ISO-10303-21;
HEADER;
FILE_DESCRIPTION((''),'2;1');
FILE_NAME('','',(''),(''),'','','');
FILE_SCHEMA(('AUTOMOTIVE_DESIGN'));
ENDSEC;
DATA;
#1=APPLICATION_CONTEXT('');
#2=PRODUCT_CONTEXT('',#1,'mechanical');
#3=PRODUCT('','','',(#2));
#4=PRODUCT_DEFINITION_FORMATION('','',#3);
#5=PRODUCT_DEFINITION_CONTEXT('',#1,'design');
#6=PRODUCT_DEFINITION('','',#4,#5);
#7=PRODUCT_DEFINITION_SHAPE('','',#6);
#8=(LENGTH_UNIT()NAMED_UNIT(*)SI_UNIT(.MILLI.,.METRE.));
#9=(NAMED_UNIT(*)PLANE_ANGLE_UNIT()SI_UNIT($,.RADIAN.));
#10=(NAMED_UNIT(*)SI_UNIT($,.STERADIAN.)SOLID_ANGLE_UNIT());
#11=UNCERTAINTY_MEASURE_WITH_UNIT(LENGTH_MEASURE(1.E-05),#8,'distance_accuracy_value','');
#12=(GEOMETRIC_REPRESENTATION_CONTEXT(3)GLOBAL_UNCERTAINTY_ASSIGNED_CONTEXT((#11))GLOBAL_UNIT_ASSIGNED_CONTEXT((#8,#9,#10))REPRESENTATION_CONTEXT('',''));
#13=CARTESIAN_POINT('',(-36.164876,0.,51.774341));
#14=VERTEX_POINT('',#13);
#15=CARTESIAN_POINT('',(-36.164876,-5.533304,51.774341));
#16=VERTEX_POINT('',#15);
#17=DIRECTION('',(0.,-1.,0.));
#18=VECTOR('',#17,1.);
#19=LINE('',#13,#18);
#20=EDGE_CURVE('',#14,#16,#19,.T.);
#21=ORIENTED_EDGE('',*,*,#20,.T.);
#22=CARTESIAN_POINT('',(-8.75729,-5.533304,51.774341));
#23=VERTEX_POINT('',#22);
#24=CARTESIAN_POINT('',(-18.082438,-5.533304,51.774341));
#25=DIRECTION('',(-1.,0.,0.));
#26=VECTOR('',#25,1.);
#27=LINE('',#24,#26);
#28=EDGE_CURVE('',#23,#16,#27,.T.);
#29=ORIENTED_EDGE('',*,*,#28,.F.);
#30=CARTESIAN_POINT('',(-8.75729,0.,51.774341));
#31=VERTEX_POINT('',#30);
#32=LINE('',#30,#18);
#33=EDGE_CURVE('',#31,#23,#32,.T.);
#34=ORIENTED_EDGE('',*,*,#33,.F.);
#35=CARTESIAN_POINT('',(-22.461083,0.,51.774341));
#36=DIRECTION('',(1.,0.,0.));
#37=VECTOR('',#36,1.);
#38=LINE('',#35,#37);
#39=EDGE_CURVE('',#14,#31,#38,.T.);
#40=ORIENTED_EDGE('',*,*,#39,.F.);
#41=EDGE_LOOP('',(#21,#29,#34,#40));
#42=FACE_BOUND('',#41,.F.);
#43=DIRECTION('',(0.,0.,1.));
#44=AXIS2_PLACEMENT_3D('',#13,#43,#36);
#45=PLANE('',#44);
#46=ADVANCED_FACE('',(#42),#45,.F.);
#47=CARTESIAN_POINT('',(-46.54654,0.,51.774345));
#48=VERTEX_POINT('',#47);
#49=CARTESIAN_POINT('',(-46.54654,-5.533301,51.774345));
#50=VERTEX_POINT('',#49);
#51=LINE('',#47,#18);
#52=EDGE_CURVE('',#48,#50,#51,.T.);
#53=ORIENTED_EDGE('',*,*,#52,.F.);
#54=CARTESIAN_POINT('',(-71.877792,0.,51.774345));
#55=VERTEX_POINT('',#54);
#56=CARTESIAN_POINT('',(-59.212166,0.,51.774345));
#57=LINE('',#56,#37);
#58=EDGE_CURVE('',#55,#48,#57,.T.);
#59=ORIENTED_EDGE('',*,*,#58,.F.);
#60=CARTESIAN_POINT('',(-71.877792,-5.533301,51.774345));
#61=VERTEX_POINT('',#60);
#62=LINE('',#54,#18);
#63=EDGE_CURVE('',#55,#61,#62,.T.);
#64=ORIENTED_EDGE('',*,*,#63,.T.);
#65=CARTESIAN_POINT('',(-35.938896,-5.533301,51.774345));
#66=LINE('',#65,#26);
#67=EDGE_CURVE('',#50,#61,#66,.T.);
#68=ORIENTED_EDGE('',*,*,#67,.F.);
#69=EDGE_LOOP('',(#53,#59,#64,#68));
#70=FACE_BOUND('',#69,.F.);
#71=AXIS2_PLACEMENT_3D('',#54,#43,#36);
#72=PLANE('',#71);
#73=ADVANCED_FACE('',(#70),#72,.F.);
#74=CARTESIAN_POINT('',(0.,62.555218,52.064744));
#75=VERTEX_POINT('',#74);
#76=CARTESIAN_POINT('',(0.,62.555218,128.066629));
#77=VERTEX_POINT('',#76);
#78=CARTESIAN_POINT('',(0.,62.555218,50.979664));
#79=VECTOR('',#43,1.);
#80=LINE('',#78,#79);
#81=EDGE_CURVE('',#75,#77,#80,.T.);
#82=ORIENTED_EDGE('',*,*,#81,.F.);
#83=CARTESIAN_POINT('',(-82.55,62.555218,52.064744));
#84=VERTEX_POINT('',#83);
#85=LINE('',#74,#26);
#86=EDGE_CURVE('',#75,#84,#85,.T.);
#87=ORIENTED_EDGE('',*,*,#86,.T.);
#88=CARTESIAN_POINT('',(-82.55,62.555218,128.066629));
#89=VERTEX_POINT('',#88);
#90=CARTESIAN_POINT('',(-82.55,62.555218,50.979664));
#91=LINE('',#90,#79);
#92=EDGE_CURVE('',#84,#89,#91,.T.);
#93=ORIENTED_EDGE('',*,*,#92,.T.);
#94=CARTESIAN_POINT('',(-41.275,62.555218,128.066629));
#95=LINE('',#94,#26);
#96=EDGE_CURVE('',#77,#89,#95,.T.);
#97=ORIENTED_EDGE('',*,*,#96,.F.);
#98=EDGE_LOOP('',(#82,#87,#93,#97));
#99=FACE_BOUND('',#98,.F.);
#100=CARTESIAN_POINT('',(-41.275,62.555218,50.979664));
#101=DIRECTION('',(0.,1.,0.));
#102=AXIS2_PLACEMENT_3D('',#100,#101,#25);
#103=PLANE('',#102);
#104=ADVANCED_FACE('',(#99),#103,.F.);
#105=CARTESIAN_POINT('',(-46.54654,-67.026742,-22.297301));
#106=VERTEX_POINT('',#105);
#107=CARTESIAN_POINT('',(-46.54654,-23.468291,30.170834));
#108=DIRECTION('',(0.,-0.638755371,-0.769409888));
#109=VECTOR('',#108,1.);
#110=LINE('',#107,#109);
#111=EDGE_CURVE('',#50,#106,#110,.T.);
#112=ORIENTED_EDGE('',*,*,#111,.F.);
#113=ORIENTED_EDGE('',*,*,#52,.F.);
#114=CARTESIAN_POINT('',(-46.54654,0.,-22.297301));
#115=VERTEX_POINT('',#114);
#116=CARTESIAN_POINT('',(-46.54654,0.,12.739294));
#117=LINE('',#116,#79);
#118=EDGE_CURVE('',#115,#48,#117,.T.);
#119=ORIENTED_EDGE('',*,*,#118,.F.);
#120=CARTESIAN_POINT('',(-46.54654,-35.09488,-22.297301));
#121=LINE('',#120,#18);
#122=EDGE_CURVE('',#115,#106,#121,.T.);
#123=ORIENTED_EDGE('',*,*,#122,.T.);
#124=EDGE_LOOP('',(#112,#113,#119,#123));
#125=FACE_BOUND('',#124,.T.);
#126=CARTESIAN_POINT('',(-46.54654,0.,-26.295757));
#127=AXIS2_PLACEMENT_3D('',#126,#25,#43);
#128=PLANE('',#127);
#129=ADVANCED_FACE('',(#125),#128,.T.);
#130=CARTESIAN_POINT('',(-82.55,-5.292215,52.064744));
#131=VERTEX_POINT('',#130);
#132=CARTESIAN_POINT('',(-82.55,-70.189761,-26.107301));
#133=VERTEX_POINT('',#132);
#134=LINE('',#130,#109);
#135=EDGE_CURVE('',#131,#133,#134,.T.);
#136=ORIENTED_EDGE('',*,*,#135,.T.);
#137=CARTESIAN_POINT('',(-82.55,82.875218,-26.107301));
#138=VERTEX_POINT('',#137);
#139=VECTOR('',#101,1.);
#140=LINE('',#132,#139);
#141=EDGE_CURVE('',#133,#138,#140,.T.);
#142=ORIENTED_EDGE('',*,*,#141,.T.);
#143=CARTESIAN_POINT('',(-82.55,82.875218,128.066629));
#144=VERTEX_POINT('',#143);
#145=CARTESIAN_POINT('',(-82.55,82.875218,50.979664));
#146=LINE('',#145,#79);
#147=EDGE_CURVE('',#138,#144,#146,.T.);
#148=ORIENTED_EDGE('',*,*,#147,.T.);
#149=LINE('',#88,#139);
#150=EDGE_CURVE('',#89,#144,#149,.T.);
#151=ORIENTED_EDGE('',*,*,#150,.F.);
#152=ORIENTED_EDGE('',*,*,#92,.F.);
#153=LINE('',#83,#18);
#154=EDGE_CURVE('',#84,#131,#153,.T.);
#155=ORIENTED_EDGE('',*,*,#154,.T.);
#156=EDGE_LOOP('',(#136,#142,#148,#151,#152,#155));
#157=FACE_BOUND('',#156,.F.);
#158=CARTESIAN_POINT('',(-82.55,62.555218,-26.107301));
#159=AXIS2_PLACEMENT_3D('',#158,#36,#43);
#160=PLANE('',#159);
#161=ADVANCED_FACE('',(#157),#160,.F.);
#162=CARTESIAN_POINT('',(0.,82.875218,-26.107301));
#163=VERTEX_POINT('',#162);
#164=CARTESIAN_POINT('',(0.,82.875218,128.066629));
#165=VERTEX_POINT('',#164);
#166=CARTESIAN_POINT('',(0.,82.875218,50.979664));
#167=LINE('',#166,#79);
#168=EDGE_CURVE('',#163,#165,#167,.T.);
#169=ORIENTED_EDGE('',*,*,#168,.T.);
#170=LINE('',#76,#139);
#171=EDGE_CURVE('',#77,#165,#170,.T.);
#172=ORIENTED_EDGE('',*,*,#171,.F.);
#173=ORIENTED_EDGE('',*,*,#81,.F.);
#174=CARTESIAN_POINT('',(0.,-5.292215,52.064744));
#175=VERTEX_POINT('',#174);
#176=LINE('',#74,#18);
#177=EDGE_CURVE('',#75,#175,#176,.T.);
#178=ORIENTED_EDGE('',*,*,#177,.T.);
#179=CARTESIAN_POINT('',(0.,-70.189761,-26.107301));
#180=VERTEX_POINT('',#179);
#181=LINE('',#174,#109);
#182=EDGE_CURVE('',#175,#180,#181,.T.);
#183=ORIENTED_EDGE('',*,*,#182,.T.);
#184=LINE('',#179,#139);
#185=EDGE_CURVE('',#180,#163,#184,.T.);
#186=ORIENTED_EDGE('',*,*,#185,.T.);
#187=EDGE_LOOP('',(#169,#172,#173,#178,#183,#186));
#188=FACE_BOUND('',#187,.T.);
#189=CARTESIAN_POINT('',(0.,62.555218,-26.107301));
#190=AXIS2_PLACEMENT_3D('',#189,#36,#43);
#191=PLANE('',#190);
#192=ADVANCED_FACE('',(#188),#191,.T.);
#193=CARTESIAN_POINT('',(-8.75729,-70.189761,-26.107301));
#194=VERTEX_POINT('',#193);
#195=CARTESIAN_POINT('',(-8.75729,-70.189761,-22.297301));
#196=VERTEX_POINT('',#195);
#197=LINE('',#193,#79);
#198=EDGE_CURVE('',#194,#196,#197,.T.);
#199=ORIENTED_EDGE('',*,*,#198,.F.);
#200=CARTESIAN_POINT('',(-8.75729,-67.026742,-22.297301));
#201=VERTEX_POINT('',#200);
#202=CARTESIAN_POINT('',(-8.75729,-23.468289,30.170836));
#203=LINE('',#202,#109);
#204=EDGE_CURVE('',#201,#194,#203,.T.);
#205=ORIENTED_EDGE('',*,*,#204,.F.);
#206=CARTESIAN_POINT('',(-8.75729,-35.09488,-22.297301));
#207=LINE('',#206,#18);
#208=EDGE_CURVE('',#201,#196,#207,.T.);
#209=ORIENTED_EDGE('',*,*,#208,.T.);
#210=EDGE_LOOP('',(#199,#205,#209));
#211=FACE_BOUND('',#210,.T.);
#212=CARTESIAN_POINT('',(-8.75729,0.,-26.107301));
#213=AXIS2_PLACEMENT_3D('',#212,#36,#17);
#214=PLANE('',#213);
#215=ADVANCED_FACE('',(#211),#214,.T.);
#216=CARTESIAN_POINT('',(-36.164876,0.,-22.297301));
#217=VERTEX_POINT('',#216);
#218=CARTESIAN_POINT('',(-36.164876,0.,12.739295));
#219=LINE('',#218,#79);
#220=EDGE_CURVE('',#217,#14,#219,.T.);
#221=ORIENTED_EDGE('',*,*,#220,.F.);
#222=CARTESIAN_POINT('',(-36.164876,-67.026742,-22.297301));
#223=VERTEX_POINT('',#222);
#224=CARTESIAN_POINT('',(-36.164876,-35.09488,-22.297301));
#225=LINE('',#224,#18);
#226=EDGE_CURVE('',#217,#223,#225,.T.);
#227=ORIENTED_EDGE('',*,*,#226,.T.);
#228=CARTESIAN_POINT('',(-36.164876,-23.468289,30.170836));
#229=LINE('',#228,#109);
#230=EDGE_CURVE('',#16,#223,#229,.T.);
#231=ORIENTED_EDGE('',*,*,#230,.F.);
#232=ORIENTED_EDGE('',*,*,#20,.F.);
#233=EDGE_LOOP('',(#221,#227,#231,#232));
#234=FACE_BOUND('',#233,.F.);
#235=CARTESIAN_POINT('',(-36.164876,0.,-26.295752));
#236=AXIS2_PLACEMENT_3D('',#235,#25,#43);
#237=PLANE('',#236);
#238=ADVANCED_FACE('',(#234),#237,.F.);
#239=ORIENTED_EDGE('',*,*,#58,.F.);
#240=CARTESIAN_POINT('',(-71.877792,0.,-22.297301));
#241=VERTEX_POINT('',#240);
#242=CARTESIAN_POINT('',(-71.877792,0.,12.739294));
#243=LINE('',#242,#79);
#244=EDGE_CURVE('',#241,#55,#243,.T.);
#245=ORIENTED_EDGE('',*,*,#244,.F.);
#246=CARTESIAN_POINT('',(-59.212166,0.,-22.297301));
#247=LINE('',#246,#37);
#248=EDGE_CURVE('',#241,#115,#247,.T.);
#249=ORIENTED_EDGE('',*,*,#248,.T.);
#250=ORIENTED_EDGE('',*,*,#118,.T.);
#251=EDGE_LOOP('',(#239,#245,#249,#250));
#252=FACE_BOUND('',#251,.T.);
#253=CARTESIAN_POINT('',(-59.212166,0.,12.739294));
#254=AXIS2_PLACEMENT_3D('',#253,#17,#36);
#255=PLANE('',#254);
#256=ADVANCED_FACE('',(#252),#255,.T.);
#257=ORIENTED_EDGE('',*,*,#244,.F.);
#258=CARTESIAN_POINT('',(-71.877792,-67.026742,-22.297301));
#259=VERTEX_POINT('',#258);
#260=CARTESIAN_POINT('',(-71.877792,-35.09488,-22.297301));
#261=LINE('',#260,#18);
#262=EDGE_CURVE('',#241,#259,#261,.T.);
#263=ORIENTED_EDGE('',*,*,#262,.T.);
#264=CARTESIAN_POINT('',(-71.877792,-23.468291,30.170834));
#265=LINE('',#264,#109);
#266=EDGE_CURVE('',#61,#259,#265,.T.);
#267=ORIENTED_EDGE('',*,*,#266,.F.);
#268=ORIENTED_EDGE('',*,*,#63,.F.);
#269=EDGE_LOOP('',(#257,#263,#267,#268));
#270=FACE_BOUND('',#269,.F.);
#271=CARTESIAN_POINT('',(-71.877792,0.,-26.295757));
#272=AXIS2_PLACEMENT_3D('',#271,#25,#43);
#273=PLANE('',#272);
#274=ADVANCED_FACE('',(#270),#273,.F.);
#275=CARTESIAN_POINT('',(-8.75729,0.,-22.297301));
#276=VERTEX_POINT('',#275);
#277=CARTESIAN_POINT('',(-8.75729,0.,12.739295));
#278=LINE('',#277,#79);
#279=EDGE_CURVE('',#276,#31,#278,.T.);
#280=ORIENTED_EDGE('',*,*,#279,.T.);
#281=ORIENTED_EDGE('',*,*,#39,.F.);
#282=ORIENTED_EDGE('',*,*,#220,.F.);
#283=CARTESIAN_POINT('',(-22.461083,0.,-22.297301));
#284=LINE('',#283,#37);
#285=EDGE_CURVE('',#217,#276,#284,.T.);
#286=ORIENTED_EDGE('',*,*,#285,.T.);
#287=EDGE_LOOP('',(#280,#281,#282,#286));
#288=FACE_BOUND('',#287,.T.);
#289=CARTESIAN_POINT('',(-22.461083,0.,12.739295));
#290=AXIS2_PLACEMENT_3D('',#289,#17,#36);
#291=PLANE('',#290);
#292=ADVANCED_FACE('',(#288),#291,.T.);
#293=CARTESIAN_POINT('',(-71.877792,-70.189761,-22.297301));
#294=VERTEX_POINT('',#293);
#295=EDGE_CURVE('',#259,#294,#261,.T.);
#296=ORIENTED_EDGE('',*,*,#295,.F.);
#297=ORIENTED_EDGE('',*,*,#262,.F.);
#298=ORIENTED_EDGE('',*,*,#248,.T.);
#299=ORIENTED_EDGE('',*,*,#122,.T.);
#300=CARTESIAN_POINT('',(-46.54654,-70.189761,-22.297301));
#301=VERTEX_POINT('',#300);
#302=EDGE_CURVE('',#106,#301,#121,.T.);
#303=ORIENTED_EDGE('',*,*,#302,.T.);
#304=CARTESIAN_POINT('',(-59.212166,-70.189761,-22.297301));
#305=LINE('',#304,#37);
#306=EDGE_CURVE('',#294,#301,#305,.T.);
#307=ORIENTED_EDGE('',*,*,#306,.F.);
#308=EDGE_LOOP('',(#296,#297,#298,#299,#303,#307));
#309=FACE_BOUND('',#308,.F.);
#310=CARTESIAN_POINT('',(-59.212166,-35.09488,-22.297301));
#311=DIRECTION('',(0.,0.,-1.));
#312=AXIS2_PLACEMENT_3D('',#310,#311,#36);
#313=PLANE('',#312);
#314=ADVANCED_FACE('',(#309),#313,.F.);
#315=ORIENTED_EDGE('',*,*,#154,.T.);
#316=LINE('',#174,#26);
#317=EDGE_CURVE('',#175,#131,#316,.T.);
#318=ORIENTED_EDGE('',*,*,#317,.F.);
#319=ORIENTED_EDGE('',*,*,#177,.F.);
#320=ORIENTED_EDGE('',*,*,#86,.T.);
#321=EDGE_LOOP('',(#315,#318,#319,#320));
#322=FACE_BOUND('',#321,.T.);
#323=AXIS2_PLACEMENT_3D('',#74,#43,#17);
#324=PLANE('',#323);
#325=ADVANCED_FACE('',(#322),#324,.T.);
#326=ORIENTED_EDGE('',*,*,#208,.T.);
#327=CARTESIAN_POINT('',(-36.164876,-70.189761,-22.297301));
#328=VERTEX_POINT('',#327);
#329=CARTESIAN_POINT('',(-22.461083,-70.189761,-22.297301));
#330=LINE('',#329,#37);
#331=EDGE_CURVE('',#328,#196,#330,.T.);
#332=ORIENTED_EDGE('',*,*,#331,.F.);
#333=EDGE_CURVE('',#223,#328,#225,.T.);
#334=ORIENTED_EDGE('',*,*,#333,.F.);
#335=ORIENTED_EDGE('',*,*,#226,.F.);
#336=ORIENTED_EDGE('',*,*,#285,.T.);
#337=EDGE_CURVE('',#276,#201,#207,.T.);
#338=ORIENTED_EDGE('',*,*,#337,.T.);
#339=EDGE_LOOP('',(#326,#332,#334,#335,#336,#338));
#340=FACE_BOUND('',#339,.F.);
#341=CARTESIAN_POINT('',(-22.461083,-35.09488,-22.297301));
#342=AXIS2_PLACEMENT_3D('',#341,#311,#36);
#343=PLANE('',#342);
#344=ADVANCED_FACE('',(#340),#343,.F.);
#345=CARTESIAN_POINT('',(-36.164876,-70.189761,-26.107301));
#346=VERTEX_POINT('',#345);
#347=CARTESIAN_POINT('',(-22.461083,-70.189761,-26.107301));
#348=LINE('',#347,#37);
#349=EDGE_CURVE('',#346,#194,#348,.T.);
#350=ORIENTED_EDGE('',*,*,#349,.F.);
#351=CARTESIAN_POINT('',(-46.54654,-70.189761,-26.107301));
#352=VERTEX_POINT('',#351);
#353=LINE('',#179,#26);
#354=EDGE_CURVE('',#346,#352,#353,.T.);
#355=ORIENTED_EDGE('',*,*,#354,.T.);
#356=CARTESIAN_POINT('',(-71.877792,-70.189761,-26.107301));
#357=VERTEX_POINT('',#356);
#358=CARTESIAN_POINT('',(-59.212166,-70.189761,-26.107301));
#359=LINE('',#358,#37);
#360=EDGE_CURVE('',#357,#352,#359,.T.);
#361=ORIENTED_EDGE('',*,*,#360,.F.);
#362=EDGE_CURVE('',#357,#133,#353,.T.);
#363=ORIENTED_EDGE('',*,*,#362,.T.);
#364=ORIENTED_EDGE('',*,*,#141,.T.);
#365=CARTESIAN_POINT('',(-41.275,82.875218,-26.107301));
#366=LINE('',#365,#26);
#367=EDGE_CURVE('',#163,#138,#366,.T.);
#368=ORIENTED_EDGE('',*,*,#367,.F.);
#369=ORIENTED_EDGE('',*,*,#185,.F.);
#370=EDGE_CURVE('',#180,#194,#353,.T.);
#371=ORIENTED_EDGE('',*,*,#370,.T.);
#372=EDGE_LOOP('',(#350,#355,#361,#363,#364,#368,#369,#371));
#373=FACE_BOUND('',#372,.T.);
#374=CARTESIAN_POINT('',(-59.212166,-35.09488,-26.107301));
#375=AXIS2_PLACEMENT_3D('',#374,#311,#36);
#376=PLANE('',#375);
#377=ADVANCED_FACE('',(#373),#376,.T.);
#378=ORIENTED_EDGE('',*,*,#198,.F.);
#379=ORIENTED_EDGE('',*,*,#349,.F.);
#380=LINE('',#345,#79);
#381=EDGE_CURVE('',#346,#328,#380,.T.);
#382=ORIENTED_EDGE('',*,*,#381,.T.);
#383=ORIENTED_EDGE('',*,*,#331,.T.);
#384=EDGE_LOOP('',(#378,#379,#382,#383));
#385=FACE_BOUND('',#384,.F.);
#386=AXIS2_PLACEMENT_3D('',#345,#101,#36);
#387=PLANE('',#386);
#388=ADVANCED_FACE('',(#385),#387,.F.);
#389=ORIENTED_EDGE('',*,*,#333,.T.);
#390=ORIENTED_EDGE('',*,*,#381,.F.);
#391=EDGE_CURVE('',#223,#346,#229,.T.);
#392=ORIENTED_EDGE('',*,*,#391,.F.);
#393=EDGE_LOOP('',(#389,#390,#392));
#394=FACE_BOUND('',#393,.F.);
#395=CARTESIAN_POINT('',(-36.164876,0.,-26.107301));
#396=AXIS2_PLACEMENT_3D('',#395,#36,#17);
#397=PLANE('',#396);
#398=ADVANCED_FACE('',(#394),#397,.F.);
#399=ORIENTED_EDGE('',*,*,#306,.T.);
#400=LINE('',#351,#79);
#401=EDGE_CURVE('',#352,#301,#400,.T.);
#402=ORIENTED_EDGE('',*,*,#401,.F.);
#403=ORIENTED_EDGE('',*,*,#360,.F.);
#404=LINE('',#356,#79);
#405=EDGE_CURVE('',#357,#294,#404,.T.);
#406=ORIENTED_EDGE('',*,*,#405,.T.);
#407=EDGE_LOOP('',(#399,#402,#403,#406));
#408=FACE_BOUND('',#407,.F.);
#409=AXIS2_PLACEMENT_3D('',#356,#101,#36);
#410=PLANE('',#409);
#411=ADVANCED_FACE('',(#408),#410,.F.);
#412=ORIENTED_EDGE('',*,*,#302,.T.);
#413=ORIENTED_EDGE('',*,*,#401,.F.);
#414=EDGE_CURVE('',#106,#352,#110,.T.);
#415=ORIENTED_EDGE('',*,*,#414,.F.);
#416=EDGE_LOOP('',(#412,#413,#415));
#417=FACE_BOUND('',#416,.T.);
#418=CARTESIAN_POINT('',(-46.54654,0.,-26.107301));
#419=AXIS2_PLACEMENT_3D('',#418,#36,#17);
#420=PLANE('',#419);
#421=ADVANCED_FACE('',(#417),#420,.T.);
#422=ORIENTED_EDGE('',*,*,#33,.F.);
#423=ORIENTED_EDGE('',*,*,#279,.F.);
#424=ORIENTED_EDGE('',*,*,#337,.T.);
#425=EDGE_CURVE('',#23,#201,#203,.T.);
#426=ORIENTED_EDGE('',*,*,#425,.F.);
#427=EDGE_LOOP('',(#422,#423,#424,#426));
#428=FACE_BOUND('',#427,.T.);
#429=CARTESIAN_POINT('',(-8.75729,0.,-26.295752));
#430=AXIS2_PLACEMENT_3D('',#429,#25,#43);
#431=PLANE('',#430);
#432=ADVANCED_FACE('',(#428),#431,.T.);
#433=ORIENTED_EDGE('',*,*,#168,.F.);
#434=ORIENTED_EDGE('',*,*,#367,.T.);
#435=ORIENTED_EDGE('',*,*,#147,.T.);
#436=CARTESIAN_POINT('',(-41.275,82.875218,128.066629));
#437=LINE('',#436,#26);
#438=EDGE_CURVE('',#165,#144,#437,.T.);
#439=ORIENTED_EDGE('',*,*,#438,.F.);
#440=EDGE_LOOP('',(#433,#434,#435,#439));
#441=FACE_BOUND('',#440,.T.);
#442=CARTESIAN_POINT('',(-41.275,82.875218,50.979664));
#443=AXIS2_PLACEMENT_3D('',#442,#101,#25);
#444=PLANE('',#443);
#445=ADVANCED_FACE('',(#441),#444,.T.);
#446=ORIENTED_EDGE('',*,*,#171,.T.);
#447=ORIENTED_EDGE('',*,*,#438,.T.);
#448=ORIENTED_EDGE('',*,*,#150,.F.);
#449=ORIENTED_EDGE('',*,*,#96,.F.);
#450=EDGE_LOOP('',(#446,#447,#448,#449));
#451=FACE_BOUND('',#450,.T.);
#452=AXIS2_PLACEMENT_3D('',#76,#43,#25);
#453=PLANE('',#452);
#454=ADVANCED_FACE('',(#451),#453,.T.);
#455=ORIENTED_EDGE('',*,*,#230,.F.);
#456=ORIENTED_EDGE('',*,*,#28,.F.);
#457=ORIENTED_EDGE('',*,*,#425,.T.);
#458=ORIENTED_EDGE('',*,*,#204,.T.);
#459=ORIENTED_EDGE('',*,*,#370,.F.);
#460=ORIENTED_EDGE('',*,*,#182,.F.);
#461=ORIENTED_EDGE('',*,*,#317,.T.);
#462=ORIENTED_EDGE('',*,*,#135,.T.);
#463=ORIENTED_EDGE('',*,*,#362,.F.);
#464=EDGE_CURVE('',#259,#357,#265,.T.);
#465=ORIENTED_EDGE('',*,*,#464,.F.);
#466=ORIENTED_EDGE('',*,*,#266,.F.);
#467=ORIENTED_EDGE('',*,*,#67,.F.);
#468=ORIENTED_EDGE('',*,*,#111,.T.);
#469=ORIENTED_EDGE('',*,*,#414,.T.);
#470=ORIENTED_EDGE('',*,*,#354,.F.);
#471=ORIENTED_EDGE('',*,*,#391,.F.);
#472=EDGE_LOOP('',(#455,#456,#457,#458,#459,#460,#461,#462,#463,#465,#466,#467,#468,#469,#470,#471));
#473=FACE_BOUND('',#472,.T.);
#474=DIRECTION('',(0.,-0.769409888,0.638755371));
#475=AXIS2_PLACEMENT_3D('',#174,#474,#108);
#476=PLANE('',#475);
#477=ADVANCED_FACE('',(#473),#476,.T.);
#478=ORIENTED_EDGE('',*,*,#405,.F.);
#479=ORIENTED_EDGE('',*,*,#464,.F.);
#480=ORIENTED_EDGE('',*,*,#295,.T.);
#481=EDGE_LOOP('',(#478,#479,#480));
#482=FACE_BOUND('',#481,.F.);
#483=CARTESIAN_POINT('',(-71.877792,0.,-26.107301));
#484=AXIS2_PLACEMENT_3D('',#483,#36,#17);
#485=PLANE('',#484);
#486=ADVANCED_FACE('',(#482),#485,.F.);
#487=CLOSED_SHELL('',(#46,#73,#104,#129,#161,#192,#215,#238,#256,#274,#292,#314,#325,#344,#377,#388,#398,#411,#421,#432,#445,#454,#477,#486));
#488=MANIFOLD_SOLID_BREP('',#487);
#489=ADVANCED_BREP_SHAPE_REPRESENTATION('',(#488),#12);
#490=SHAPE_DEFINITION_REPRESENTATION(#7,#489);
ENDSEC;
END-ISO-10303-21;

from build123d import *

# Parameters (mm, degrees)
F1_DEPTH = 82.55
F2_W     = 82.55
F2_H     = 154.17393
F3_DEPTH = 20.32
F4_W     = 25.331251
F4_H     = 78.070102
F4_W_2   = 27.407586
F4_H_2   = 78.070093
F5_DEPTH = 76.2
F6_W     = 25.331251
F6_H     = 70.189761
F6_W_2   = 27.407586
F7_DEPTH = 3.81


with BuildPart() as f1:
    # F0 (on Right) → F1 (new body)
    with BuildSketch(Plane.YZ):
        Polygon((-5.292215, 52.064744), (-70.189761, -26.107301), (62.555218, -26.107301), (62.555218, 52.064744), align=None)
    extrude(amount=-F1_DEPTH)

    # F2 (on face) → F3 (join)
    with BuildSketch(Plane(origin=(0, 62.555218, 0), x_dir=(-1, 0, 0), z_dir=(0, 1, 0))):
        with Locations((41.275, 50.979664)):
            Rectangle(F2_W, F2_H)
    extrude(amount=F3_DEPTH)

    # F4 (on Front) → F5 (cut)
    with BuildSketch(Plane.XZ):
        with Locations((-59.212166, 12.739294)):
            Rectangle(F4_W, F4_H)
        with Locations((-22.461083, 12.739295)):
            Rectangle(F4_W_2, F4_H_2)
    extrude(amount=F5_DEPTH, mode=Mode.SUBTRACT)

    # F6 (on face) → F7 (join)
    with BuildSketch(Plane(origin=(0, 0, -26.107301), x_dir=(1, 0, 0), z_dir=(0, 0, -1))):
        with Locations((-59.212166, 35.09488)):
            Rectangle(F6_W, F6_H)
        with Locations((-22.461083, 35.09488)):
            Rectangle(F6_W_2, F6_H)
    extrude(amount=-F7_DEPTH)


solid = f1.part
